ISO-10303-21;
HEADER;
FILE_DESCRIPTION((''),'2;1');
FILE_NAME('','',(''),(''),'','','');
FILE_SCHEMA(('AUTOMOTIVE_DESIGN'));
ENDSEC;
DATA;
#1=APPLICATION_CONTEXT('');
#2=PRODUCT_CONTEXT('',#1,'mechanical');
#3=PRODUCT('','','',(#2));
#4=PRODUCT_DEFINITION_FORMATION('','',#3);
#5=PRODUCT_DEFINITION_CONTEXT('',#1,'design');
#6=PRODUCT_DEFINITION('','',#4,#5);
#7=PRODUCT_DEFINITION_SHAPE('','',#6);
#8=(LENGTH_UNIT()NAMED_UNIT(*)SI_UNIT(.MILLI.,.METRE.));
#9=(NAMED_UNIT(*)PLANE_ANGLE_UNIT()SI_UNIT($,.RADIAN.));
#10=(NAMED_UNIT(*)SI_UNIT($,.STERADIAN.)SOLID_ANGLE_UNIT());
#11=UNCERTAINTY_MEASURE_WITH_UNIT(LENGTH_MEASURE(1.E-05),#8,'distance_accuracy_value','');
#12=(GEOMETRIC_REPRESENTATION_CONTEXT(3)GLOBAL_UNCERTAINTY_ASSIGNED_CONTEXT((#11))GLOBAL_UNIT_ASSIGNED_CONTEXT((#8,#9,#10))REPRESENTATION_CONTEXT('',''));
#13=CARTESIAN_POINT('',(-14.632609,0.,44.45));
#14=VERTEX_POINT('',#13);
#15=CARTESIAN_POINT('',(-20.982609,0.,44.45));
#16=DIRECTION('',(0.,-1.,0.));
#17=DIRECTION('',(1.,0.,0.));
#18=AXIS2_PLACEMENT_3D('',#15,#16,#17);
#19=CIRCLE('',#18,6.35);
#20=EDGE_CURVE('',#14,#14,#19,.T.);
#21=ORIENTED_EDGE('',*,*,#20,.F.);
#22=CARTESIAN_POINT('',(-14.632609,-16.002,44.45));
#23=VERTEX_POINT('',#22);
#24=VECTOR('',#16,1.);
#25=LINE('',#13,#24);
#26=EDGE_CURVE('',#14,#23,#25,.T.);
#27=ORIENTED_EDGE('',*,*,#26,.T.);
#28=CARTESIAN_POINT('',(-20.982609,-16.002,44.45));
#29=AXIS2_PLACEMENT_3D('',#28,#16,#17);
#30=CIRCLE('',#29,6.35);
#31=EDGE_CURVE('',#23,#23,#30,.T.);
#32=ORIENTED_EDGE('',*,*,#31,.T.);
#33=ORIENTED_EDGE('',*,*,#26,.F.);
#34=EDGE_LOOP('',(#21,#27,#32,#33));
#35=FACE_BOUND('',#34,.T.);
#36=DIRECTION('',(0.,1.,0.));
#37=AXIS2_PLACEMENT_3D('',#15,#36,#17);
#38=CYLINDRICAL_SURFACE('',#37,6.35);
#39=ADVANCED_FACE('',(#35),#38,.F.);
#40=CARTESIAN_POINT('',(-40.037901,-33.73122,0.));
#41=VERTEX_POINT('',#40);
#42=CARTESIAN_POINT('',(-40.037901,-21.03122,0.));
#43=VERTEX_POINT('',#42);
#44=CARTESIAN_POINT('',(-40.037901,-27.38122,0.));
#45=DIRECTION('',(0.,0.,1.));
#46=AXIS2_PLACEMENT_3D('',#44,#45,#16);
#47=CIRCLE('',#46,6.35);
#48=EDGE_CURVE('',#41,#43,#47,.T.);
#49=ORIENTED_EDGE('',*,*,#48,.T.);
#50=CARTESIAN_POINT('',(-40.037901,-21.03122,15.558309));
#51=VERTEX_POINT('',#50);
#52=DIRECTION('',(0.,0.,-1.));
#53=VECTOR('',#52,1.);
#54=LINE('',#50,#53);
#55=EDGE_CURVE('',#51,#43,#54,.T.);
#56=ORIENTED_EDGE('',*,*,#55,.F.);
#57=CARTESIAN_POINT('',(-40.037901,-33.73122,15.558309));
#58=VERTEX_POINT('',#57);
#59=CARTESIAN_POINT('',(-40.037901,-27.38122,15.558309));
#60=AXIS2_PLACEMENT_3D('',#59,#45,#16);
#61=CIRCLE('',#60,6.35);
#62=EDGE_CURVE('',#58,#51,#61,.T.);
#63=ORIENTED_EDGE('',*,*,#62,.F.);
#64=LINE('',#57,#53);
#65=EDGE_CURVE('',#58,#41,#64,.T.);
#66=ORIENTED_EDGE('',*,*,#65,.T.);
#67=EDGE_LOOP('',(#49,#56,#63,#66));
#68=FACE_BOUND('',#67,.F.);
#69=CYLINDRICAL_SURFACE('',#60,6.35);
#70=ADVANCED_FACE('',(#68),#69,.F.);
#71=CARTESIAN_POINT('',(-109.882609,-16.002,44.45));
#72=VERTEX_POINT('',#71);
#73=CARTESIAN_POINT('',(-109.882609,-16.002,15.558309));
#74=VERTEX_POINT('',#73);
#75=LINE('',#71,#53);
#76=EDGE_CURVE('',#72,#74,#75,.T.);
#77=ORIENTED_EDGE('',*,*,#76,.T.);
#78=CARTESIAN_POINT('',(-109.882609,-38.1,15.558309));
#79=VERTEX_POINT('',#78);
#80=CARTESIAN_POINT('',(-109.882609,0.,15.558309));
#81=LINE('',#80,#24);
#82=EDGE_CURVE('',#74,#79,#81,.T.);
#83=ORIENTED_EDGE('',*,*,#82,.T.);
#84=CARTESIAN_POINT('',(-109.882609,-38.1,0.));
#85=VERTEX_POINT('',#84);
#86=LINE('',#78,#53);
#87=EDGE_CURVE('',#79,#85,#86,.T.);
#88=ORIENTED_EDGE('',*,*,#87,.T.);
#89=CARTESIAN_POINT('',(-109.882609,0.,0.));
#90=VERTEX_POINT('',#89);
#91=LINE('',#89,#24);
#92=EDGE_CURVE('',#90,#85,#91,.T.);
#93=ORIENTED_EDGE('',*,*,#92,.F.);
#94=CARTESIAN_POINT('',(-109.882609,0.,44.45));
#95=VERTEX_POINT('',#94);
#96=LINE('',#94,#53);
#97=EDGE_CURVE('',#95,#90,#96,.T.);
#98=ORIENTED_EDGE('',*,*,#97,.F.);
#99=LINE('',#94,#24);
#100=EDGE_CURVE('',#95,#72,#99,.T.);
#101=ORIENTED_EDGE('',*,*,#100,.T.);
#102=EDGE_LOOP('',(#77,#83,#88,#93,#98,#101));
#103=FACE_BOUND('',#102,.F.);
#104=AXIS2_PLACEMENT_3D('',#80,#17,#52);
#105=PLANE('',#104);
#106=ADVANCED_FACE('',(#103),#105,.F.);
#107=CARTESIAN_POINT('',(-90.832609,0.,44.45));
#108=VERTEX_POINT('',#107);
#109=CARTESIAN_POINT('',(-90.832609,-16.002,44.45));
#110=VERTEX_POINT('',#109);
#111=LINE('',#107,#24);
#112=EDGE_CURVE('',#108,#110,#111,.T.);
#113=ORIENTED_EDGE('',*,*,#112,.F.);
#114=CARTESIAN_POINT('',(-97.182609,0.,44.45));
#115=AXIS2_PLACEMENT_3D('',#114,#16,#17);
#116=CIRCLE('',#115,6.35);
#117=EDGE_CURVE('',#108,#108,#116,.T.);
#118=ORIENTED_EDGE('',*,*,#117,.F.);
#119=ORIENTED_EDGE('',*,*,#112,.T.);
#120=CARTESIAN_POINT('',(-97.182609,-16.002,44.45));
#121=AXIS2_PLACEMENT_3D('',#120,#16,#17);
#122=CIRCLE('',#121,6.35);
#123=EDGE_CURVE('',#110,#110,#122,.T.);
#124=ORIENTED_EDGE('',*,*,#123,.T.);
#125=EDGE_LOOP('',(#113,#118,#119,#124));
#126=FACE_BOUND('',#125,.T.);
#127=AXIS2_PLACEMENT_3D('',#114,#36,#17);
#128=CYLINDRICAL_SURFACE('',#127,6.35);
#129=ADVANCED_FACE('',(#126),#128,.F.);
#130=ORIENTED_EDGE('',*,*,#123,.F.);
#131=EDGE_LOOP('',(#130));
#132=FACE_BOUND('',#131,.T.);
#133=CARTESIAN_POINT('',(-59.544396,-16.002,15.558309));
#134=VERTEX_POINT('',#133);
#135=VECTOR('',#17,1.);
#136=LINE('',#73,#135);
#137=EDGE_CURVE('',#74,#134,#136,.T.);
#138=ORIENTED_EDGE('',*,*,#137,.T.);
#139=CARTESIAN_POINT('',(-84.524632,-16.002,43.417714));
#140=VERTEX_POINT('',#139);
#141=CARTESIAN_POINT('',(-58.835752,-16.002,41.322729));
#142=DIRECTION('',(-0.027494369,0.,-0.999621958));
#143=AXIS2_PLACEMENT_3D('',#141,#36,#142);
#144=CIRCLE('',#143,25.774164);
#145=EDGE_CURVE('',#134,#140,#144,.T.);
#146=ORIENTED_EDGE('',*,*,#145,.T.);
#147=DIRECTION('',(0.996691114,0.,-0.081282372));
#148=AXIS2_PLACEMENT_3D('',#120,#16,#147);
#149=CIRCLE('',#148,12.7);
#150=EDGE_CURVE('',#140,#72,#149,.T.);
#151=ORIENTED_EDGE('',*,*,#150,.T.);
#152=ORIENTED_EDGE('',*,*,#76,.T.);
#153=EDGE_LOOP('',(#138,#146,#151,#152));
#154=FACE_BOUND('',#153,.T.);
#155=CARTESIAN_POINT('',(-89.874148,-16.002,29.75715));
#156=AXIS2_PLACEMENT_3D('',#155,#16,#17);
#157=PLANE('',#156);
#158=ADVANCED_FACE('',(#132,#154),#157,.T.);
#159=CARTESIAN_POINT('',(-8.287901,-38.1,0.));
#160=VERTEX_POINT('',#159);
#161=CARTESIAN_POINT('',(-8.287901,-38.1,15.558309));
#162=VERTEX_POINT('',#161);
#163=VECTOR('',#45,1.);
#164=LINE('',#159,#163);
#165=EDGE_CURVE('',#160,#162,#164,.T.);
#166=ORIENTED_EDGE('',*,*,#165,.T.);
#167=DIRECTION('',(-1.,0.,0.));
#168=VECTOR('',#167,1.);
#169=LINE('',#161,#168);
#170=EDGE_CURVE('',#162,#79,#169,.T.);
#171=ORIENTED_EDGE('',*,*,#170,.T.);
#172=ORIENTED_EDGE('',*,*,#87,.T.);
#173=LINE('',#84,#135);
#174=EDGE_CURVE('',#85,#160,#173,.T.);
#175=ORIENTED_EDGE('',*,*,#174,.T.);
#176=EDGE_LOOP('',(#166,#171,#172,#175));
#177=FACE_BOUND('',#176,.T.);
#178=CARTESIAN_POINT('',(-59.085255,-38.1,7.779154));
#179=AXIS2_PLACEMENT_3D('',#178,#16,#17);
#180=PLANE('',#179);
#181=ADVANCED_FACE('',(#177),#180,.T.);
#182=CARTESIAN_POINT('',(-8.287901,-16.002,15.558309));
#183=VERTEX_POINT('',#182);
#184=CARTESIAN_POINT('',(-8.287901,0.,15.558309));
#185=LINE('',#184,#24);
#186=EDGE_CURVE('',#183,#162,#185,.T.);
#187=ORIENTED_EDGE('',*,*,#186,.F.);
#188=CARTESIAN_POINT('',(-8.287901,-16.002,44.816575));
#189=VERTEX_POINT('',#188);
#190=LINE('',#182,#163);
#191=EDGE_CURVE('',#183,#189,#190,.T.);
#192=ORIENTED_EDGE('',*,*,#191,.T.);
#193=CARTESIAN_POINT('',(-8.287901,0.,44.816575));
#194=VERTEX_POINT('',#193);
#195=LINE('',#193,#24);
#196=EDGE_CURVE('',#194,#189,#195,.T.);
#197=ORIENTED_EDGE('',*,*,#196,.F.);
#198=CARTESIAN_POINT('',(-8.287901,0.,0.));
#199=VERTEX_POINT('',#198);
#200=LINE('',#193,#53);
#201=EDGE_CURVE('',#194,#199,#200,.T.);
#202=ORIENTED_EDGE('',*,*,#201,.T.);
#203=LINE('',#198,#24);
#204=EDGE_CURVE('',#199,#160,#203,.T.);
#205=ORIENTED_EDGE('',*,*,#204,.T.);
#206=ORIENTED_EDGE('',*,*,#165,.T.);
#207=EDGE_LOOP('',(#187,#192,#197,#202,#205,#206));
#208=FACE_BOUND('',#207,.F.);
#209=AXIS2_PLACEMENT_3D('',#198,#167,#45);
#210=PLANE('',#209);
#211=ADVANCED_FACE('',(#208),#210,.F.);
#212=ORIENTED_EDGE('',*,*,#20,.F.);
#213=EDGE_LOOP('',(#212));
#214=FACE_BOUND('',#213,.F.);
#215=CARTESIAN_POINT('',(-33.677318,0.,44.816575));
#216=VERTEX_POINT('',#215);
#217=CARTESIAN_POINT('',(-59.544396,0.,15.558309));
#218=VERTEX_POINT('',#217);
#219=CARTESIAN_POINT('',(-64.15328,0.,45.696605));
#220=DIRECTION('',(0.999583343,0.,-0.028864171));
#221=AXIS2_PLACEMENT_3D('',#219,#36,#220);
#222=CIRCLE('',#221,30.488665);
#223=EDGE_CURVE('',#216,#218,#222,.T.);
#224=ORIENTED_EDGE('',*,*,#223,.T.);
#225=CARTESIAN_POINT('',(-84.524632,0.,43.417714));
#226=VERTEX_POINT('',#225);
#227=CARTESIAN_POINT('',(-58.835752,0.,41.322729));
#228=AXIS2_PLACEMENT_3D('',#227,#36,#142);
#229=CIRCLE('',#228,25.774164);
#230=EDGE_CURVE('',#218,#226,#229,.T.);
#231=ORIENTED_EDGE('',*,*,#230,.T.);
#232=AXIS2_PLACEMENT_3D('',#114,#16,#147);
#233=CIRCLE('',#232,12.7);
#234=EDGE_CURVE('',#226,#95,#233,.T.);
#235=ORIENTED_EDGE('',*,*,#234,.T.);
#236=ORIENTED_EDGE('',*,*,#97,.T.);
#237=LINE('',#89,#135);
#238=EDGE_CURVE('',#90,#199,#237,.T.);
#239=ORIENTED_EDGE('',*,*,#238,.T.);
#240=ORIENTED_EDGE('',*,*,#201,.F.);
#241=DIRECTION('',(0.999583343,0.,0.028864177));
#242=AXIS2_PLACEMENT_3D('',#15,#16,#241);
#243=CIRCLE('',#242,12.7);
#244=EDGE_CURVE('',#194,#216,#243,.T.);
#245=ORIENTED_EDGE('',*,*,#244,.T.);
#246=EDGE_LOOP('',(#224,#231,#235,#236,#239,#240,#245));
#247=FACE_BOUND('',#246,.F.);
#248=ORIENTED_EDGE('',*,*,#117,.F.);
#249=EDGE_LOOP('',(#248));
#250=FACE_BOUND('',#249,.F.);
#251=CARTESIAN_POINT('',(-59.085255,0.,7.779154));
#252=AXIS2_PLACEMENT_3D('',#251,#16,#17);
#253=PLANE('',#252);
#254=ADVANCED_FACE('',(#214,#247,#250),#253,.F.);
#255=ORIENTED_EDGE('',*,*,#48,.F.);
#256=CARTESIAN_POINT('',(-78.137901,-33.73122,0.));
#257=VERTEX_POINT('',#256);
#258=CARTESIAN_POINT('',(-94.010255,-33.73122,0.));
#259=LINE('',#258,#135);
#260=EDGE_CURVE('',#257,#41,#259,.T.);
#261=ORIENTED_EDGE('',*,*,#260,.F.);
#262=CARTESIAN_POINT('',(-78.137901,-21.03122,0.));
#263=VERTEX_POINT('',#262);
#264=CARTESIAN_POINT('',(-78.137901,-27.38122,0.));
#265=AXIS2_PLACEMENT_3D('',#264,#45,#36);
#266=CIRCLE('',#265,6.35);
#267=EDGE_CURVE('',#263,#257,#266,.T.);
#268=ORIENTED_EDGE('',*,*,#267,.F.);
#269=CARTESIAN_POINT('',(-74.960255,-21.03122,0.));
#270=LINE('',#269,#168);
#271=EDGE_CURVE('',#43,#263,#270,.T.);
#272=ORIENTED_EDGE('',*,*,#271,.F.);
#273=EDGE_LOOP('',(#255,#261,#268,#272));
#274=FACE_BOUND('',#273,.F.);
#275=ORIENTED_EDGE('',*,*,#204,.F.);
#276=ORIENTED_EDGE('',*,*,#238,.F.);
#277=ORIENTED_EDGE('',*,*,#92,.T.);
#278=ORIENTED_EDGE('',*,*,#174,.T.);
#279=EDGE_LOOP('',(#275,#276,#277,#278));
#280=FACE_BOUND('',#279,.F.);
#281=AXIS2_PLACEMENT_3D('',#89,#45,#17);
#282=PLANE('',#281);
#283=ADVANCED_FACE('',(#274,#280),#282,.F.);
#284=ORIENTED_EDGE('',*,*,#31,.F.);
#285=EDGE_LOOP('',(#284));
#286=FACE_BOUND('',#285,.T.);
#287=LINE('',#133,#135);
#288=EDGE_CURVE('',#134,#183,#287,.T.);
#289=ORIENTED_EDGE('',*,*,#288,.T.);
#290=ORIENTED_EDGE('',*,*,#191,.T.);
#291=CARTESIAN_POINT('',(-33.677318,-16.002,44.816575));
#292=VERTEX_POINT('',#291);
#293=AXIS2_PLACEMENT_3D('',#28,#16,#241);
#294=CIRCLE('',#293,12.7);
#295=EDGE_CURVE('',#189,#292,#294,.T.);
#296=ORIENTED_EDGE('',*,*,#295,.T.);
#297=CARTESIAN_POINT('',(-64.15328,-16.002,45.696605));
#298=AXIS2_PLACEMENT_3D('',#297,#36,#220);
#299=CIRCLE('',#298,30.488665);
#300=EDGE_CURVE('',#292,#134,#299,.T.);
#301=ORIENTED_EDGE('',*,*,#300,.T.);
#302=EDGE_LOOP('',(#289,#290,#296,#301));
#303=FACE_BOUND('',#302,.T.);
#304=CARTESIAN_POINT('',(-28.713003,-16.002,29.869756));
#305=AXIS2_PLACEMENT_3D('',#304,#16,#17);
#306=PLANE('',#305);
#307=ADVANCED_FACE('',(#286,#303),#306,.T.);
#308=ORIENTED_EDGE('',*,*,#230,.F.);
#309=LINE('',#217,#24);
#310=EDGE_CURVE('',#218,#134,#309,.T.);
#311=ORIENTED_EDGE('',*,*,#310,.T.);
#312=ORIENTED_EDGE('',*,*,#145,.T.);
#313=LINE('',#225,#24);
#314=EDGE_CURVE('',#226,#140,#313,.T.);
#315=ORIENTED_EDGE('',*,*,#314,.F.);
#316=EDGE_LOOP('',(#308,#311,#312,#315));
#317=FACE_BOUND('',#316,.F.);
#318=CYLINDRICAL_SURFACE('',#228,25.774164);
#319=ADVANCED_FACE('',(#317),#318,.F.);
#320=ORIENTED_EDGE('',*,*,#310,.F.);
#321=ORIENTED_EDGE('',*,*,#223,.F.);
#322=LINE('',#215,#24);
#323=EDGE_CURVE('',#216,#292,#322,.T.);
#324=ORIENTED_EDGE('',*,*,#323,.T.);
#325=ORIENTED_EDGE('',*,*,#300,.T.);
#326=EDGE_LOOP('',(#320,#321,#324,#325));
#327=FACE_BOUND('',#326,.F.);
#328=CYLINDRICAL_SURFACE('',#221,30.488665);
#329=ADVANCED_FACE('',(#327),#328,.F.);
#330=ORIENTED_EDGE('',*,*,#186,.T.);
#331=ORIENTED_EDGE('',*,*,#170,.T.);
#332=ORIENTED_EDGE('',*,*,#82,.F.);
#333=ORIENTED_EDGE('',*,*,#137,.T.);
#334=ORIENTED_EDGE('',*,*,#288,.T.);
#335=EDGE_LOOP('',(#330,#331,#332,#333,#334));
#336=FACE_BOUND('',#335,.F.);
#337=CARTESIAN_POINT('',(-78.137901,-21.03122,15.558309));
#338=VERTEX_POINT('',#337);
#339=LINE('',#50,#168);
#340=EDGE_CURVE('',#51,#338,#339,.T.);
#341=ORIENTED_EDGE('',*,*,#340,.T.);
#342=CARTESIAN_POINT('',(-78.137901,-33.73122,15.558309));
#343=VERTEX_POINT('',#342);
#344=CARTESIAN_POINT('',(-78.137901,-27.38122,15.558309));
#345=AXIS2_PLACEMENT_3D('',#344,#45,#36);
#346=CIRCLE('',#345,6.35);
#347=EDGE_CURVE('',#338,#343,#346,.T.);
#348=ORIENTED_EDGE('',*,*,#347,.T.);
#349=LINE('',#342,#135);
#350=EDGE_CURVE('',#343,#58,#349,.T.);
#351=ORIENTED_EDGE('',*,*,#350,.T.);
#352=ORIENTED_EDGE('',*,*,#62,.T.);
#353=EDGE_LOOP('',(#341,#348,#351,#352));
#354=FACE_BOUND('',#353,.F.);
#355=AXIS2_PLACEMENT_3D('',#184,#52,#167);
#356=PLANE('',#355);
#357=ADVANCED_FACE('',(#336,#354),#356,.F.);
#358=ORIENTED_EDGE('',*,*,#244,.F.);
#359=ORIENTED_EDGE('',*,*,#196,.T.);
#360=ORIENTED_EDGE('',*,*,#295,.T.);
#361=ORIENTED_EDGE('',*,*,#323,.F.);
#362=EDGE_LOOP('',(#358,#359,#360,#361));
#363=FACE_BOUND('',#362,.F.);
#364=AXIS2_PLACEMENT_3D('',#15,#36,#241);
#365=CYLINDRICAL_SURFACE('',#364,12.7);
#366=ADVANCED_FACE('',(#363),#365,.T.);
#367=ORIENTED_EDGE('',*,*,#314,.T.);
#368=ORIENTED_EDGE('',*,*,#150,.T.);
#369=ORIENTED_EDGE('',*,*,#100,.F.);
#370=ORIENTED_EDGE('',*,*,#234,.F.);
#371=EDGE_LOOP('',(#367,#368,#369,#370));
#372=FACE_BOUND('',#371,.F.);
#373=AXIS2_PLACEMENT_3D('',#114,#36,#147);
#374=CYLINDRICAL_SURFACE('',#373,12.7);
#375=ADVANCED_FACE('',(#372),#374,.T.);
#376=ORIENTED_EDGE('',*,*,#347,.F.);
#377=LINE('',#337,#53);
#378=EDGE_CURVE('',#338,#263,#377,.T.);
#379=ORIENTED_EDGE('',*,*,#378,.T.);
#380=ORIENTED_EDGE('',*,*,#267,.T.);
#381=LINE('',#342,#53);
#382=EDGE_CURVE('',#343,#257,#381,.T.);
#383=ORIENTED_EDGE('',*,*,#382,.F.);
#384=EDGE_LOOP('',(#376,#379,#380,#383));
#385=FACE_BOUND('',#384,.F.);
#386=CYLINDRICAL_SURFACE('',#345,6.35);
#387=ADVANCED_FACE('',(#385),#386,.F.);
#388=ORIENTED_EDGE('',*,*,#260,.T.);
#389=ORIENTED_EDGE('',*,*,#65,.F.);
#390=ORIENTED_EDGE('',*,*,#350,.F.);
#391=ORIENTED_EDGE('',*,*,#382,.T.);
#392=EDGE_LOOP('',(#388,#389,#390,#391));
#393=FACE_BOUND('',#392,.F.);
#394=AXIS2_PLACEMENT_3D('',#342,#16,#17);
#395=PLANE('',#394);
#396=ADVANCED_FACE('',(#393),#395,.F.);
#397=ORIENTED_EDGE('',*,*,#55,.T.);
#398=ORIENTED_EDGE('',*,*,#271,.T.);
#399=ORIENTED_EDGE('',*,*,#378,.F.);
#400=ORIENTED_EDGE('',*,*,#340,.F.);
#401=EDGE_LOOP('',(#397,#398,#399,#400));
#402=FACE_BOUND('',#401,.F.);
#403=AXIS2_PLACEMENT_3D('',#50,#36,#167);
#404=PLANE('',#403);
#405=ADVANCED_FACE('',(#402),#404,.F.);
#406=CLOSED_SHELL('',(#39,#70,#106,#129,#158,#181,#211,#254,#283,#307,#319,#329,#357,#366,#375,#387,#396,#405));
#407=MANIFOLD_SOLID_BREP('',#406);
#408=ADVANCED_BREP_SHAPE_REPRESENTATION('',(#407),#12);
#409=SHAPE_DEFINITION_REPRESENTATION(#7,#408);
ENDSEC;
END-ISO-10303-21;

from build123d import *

# Parameters (mm, degrees)
F0_R     = 6.35
F1_DEPTH = 16.002
F2_DEPTH = 38.1
F4_DEPTH = 25.4


with BuildPart() as f1:
    # F0 (on Front) → F1 (new body)
    with BuildSketch(Plane.XZ):
        with BuildLine():
            Line((-109.882609, 44.45), (-109.882609, 15.558309))
            Line((-109.882609, 15.558309), (-59.544396, 15.558309))
            ThreePointArc((-59.544396, 15.558309), (-78.025435, 24.116231), (-84.524632, 43.417714))
            ThreePointArc((-84.524632, 43.417714), (-96.666039, 57.13949), (-109.882609, 44.45))
        make_face()
        with Locations((-97.182609, 44.45)):
            Circle(F0_R, mode=Mode.SUBTRACT)
        with BuildLine():
            Line((-59.544396, 15.558309), (-8.287901, 15.558309))
            Line((-8.287901, 15.558309), (-8.287901, 44.816575))
            ThreePointArc((-8.287901, 44.816575), (-20.982609, 57.15), (-33.677318, 44.816575))
            ThreePointArc((-33.677318, 44.816575), (-41.311473, 25.502285), (-59.544396, 15.558309))
        make_face()
        with Locations((-20.982609, 44.45)):
            Circle(F0_R, mode=Mode.SUBTRACT)
    extrude(amount=F1_DEPTH)

    # F0 (on Front) → F2 (join)
    with BuildSketch(Plane.XZ):
        Polygon((-109.882609, 15.558309), (-109.882609, 0), (-8.287901, 0), (-8.287901, 15.558309), (-59.544396, 15.558309), align=None)
    extrude(amount=F2_DEPTH)

    # F3 (on face) → F4 (cut)
    with BuildSketch(Plane.XY.offset(15.558309)):
        with BuildLine():
            Line((-40.037901, -21.03122), (-78.137901, -21.03122))
            ThreePointArc((-78.137901, -21.03122), (-84.487901, -27.38122), (-78.137901, -33.73122))
            Line((-78.137901, -33.73122), (-40.037901, -33.73122))
            ThreePointArc((-40.037901, -33.73122), (-33.687901, -27.38122), (-40.037901, -21.03122))
        make_face()
    extrude(amount=-F4_DEPTH, mode=Mode.SUBTRACT)


solid = f1.part
